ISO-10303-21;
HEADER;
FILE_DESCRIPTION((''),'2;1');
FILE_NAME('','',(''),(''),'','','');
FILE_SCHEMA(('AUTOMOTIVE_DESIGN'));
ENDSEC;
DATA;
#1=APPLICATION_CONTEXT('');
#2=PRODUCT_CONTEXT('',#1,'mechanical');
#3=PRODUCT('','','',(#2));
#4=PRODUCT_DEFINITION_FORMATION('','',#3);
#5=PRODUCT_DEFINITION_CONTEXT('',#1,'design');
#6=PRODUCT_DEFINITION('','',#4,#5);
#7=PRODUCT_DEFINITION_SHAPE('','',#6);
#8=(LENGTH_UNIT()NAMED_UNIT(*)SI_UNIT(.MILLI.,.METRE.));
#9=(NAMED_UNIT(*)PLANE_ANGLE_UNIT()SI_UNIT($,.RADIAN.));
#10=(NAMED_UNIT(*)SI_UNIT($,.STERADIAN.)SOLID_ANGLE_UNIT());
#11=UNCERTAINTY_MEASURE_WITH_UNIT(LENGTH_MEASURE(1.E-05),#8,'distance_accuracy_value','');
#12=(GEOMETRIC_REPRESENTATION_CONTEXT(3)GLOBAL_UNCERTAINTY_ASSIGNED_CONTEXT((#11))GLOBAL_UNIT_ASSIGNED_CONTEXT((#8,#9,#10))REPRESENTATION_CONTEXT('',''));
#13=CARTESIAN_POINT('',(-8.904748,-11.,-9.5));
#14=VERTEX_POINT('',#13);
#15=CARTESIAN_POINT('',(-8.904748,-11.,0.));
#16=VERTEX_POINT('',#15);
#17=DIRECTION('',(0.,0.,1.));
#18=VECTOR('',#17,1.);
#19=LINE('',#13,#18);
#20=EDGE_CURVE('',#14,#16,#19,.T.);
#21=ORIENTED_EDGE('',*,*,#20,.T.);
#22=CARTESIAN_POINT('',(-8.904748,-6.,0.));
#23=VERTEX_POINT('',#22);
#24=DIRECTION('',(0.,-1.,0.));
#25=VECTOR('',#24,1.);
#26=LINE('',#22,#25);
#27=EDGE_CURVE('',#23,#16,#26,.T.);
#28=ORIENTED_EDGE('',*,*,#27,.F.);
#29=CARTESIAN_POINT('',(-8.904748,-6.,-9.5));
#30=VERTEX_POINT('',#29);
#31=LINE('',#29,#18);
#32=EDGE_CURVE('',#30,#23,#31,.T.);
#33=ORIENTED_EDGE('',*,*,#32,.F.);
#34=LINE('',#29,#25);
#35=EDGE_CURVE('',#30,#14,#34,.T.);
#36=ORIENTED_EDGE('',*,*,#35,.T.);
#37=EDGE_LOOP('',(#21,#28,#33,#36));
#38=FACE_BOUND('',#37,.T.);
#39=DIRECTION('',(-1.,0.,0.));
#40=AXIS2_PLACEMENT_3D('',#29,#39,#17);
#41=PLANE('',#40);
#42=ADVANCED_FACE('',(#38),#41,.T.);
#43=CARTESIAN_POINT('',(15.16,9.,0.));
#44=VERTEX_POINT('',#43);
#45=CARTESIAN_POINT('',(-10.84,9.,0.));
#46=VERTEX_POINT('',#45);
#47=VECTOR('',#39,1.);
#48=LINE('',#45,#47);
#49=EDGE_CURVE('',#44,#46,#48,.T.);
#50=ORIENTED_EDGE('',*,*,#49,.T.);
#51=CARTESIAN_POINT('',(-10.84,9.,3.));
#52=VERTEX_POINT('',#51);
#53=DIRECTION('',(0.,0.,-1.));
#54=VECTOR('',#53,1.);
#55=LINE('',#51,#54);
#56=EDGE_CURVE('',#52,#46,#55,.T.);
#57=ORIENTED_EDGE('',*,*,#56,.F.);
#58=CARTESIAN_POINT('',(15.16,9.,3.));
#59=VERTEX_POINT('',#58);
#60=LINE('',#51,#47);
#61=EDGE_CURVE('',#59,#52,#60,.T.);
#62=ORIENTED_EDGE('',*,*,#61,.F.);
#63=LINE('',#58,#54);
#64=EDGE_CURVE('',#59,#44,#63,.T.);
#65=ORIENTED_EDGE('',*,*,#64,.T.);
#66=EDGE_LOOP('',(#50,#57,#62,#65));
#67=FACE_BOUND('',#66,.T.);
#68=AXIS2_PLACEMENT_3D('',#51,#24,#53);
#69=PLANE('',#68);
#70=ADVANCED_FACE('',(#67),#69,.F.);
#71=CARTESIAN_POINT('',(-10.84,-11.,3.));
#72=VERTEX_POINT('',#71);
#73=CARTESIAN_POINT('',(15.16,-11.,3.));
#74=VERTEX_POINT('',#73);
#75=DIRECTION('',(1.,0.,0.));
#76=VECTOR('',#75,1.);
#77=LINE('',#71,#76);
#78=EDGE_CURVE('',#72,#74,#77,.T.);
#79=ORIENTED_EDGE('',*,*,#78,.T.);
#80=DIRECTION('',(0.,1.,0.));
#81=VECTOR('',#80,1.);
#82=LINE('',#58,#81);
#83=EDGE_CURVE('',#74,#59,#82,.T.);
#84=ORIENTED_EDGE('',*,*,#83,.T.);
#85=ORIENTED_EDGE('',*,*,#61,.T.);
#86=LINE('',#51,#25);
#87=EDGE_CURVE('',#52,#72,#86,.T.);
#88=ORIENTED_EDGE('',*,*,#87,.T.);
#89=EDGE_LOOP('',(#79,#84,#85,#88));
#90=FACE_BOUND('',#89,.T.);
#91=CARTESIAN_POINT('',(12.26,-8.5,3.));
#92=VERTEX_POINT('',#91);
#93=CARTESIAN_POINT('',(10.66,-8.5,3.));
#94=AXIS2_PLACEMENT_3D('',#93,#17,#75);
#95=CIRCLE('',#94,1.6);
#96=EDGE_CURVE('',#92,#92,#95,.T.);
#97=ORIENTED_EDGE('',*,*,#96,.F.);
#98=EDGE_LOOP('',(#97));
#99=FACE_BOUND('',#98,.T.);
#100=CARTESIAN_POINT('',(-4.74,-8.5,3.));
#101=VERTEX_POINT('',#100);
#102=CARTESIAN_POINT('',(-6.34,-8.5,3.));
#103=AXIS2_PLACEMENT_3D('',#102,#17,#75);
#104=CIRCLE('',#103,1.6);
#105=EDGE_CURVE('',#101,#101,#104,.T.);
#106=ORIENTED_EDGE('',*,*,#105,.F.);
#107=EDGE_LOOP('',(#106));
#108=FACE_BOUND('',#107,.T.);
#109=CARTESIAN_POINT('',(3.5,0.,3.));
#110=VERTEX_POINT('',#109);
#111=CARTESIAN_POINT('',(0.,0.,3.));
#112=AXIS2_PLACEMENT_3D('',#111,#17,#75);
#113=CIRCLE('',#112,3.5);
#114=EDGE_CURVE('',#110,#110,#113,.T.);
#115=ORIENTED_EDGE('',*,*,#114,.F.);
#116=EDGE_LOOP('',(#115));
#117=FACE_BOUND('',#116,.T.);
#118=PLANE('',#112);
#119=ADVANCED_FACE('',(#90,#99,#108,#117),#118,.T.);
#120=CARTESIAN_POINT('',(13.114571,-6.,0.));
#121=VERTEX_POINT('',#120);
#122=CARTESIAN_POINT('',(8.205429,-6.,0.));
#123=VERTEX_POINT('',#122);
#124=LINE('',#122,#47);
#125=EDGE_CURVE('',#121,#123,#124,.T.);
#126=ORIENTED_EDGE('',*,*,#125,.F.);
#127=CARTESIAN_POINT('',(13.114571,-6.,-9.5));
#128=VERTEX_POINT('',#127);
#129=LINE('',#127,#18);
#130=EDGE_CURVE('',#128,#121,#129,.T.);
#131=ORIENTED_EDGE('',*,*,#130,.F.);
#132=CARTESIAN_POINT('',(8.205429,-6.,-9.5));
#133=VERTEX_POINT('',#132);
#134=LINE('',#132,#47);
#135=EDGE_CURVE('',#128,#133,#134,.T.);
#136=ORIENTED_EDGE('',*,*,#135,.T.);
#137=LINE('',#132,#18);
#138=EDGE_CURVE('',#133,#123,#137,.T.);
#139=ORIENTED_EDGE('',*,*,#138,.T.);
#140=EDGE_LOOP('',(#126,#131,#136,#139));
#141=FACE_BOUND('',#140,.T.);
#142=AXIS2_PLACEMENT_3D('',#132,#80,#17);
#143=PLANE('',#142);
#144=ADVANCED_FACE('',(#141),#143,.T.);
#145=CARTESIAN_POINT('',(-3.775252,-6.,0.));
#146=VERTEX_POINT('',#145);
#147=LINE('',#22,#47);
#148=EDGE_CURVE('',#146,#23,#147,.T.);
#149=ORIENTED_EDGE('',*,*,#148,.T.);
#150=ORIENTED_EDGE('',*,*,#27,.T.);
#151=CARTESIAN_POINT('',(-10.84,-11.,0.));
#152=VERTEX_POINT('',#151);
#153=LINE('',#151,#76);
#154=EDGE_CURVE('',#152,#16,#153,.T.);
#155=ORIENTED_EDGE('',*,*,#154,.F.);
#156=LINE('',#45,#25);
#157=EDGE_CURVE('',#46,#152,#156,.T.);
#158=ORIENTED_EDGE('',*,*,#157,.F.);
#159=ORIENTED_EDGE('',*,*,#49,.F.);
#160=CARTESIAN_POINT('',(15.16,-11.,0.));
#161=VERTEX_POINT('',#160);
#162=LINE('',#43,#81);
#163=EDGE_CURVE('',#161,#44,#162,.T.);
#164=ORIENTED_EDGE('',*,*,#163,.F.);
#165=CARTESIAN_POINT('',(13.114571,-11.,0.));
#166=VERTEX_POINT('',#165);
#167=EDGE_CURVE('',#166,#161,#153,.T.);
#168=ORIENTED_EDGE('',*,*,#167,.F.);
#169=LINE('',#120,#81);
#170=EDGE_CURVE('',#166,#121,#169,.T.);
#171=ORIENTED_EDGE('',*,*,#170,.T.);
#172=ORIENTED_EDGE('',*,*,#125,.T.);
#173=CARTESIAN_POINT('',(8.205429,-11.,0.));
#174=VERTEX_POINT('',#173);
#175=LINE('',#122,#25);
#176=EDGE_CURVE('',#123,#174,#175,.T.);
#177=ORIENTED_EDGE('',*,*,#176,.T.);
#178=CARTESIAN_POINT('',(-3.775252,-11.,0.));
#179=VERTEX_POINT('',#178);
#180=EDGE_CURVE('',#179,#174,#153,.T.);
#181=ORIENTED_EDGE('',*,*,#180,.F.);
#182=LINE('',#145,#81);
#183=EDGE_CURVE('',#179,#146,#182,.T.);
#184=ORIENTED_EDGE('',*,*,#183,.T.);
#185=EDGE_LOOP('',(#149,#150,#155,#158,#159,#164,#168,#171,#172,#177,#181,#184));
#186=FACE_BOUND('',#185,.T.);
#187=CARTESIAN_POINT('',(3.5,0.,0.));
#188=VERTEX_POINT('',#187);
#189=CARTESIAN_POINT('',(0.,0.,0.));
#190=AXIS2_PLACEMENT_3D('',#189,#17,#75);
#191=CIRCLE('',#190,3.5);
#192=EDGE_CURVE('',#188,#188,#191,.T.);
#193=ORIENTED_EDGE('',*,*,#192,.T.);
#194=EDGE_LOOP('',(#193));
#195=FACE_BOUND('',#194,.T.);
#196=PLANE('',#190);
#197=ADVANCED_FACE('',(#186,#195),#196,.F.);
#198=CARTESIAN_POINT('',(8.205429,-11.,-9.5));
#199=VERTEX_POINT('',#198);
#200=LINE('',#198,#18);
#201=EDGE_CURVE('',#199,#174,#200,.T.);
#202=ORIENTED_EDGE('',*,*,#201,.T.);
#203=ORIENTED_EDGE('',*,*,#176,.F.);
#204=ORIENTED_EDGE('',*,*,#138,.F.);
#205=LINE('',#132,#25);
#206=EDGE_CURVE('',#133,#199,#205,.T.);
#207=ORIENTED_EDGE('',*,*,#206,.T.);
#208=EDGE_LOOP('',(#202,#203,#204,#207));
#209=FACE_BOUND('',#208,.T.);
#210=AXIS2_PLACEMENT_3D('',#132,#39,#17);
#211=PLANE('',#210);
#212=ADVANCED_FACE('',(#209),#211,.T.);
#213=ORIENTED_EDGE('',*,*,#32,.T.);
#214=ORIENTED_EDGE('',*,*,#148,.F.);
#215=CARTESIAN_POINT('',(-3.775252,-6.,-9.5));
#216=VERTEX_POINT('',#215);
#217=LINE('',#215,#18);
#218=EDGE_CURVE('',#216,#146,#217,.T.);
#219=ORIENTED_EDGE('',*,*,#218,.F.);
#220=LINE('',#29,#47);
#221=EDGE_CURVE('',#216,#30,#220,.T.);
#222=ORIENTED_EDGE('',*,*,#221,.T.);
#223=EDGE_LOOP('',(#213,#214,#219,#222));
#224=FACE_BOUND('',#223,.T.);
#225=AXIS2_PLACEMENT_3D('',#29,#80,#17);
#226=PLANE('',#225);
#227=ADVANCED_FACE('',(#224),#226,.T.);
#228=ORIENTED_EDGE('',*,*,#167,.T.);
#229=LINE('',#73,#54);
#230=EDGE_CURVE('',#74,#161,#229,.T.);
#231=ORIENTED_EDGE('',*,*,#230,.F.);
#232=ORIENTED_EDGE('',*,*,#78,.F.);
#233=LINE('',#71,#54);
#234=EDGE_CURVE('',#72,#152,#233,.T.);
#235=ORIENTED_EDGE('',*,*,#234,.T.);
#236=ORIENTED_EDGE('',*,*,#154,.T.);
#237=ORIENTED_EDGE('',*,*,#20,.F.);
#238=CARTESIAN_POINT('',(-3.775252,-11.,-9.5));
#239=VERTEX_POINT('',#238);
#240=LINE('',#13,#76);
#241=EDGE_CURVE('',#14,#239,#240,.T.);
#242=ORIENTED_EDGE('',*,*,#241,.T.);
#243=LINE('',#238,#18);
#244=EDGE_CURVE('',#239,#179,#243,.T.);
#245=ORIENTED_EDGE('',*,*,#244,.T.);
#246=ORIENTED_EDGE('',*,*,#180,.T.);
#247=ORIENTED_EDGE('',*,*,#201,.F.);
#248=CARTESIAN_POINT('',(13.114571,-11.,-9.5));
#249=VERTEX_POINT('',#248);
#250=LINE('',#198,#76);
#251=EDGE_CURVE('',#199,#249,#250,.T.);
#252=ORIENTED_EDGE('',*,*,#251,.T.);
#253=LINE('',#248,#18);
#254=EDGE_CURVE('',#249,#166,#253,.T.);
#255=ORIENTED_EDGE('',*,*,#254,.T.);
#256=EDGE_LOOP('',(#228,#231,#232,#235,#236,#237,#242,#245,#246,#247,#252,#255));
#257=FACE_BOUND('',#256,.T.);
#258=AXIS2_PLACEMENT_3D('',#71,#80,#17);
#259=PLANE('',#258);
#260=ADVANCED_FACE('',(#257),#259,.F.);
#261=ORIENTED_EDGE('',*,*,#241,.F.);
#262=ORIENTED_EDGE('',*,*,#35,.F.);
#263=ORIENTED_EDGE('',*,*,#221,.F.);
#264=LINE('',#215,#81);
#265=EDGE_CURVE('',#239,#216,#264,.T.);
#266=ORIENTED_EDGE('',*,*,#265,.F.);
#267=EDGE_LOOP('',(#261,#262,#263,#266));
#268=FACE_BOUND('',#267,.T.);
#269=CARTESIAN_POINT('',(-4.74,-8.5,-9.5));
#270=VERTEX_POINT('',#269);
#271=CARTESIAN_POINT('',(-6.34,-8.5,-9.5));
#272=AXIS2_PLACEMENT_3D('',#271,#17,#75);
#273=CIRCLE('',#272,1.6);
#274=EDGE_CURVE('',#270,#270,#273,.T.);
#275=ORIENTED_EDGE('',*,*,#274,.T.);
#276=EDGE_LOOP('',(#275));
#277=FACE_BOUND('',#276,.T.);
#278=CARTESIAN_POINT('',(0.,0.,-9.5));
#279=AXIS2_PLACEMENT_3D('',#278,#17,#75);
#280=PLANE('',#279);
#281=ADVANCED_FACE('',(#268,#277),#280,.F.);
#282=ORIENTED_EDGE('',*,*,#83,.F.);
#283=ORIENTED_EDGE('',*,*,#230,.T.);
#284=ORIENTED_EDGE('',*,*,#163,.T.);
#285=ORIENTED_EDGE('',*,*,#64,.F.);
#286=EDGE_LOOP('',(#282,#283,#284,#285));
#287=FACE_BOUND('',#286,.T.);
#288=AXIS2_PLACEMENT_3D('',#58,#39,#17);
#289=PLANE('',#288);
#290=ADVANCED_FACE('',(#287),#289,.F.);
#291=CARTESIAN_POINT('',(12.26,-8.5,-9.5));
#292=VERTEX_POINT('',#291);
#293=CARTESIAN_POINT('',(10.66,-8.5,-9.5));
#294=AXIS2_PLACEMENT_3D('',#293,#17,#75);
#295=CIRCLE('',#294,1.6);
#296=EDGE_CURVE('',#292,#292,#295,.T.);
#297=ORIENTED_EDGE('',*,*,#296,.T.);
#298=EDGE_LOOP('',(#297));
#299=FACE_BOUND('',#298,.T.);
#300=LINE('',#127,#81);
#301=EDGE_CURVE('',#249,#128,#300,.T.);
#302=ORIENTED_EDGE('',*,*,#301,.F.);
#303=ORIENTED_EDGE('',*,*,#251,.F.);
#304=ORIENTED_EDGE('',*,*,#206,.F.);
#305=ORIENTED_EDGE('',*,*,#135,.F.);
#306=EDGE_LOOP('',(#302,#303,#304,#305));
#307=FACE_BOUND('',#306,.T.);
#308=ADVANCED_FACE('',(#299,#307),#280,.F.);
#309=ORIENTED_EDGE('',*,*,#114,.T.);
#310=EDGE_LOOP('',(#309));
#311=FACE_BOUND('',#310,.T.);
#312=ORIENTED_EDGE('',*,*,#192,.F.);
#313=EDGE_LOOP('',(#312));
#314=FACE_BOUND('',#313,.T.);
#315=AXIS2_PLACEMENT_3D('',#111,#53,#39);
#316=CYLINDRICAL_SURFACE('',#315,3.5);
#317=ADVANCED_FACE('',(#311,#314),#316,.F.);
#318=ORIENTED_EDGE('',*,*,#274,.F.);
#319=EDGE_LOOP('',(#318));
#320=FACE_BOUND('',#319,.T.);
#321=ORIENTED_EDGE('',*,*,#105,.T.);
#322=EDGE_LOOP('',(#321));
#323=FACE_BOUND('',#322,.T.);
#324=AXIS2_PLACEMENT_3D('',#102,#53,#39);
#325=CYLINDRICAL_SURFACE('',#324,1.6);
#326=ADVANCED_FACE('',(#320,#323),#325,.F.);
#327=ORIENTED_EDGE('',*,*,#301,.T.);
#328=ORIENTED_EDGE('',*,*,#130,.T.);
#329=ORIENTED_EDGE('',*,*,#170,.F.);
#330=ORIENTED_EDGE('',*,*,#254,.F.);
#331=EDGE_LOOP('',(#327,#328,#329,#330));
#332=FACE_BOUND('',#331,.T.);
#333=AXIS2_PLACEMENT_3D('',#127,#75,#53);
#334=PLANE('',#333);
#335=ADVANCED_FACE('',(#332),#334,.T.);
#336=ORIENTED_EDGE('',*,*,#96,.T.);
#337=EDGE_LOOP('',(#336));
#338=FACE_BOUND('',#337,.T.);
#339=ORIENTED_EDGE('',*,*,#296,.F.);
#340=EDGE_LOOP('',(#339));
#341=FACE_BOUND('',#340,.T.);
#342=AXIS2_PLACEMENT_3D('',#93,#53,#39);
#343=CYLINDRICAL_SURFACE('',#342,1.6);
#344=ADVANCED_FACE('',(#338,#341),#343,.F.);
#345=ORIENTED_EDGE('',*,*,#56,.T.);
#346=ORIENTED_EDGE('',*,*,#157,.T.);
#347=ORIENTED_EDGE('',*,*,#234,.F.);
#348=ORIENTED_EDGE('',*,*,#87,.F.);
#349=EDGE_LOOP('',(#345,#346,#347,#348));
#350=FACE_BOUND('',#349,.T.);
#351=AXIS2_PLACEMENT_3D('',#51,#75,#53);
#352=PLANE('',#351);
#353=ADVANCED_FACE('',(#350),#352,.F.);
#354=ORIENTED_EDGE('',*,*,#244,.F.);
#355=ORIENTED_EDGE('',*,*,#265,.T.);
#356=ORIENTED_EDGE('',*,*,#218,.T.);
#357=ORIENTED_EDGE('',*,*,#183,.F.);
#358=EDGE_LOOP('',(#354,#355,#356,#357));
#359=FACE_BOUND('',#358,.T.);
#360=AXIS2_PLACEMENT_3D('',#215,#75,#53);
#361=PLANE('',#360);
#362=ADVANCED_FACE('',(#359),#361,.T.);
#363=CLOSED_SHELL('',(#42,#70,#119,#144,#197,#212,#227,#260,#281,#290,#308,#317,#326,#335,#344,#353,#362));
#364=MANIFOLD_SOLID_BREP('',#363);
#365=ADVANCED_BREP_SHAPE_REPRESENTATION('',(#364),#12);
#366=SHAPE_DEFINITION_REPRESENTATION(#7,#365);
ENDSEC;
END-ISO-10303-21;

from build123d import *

# Parameters (mm, degrees)
SKETCH1_W           = 26
SKETCH1_H           = 20
SKETCH1_R           = 3.5
SKETCH1_R_2         = 1.6
BOSS_EXTRUDE1_DEPTH = 3
BOSS_EXTRUDE2_START = -9.5
SKETCH2_W           = 5.129495452
SKETCH2_H           = 5
SKETCH2_R           = 1.6
SKETCH2_W_2         = 4.90914111
BOSS_EXTRUDE2_DEPTH = 9.5


with BuildPart() as part:
    # Sketch1 → Boss-Extrude1 (new body)
    with BuildSketch(Plane.XY):
        with Locations((2.16, -1)):
            Rectangle(SKETCH1_W, SKETCH1_H)
        Circle(SKETCH1_R, mode=Mode.SUBTRACT)
        with Locations((-6.34, -8.5)):
            Circle(SKETCH1_R_2, mode=Mode.SUBTRACT)
        with Locations((10.66, -8.5)):
            Circle(SKETCH1_R_2, mode=Mode.SUBTRACT)
    extrude(amount=BOSS_EXTRUDE1_DEPTH)

    # Sketch2 → Boss-Extrude2 (add)
    # profile 1 of 2: a face of its own
    with BuildSketch(Plane.XY.offset(BOSS_EXTRUDE2_START)):
        with Locations((-6.34, -8.5)):
            Rectangle(SKETCH2_W, SKETCH2_H)
        with Locations((-6.34, -8.5)):
            Circle(SKETCH2_R, mode=Mode.SUBTRACT)
    # profile 2 of 2: a face of its own
    with BuildSketch(Plane.XY.offset(BOSS_EXTRUDE2_START)):
        with Locations((10.66, -8.5)):
            Rectangle(SKETCH2_W_2, SKETCH2_H)
        with Locations((10.66, -8.5)):
            Circle(SKETCH2_R, mode=Mode.SUBTRACT)
    extrude(amount=BOSS_EXTRUDE2_DEPTH)


solid = part.part
